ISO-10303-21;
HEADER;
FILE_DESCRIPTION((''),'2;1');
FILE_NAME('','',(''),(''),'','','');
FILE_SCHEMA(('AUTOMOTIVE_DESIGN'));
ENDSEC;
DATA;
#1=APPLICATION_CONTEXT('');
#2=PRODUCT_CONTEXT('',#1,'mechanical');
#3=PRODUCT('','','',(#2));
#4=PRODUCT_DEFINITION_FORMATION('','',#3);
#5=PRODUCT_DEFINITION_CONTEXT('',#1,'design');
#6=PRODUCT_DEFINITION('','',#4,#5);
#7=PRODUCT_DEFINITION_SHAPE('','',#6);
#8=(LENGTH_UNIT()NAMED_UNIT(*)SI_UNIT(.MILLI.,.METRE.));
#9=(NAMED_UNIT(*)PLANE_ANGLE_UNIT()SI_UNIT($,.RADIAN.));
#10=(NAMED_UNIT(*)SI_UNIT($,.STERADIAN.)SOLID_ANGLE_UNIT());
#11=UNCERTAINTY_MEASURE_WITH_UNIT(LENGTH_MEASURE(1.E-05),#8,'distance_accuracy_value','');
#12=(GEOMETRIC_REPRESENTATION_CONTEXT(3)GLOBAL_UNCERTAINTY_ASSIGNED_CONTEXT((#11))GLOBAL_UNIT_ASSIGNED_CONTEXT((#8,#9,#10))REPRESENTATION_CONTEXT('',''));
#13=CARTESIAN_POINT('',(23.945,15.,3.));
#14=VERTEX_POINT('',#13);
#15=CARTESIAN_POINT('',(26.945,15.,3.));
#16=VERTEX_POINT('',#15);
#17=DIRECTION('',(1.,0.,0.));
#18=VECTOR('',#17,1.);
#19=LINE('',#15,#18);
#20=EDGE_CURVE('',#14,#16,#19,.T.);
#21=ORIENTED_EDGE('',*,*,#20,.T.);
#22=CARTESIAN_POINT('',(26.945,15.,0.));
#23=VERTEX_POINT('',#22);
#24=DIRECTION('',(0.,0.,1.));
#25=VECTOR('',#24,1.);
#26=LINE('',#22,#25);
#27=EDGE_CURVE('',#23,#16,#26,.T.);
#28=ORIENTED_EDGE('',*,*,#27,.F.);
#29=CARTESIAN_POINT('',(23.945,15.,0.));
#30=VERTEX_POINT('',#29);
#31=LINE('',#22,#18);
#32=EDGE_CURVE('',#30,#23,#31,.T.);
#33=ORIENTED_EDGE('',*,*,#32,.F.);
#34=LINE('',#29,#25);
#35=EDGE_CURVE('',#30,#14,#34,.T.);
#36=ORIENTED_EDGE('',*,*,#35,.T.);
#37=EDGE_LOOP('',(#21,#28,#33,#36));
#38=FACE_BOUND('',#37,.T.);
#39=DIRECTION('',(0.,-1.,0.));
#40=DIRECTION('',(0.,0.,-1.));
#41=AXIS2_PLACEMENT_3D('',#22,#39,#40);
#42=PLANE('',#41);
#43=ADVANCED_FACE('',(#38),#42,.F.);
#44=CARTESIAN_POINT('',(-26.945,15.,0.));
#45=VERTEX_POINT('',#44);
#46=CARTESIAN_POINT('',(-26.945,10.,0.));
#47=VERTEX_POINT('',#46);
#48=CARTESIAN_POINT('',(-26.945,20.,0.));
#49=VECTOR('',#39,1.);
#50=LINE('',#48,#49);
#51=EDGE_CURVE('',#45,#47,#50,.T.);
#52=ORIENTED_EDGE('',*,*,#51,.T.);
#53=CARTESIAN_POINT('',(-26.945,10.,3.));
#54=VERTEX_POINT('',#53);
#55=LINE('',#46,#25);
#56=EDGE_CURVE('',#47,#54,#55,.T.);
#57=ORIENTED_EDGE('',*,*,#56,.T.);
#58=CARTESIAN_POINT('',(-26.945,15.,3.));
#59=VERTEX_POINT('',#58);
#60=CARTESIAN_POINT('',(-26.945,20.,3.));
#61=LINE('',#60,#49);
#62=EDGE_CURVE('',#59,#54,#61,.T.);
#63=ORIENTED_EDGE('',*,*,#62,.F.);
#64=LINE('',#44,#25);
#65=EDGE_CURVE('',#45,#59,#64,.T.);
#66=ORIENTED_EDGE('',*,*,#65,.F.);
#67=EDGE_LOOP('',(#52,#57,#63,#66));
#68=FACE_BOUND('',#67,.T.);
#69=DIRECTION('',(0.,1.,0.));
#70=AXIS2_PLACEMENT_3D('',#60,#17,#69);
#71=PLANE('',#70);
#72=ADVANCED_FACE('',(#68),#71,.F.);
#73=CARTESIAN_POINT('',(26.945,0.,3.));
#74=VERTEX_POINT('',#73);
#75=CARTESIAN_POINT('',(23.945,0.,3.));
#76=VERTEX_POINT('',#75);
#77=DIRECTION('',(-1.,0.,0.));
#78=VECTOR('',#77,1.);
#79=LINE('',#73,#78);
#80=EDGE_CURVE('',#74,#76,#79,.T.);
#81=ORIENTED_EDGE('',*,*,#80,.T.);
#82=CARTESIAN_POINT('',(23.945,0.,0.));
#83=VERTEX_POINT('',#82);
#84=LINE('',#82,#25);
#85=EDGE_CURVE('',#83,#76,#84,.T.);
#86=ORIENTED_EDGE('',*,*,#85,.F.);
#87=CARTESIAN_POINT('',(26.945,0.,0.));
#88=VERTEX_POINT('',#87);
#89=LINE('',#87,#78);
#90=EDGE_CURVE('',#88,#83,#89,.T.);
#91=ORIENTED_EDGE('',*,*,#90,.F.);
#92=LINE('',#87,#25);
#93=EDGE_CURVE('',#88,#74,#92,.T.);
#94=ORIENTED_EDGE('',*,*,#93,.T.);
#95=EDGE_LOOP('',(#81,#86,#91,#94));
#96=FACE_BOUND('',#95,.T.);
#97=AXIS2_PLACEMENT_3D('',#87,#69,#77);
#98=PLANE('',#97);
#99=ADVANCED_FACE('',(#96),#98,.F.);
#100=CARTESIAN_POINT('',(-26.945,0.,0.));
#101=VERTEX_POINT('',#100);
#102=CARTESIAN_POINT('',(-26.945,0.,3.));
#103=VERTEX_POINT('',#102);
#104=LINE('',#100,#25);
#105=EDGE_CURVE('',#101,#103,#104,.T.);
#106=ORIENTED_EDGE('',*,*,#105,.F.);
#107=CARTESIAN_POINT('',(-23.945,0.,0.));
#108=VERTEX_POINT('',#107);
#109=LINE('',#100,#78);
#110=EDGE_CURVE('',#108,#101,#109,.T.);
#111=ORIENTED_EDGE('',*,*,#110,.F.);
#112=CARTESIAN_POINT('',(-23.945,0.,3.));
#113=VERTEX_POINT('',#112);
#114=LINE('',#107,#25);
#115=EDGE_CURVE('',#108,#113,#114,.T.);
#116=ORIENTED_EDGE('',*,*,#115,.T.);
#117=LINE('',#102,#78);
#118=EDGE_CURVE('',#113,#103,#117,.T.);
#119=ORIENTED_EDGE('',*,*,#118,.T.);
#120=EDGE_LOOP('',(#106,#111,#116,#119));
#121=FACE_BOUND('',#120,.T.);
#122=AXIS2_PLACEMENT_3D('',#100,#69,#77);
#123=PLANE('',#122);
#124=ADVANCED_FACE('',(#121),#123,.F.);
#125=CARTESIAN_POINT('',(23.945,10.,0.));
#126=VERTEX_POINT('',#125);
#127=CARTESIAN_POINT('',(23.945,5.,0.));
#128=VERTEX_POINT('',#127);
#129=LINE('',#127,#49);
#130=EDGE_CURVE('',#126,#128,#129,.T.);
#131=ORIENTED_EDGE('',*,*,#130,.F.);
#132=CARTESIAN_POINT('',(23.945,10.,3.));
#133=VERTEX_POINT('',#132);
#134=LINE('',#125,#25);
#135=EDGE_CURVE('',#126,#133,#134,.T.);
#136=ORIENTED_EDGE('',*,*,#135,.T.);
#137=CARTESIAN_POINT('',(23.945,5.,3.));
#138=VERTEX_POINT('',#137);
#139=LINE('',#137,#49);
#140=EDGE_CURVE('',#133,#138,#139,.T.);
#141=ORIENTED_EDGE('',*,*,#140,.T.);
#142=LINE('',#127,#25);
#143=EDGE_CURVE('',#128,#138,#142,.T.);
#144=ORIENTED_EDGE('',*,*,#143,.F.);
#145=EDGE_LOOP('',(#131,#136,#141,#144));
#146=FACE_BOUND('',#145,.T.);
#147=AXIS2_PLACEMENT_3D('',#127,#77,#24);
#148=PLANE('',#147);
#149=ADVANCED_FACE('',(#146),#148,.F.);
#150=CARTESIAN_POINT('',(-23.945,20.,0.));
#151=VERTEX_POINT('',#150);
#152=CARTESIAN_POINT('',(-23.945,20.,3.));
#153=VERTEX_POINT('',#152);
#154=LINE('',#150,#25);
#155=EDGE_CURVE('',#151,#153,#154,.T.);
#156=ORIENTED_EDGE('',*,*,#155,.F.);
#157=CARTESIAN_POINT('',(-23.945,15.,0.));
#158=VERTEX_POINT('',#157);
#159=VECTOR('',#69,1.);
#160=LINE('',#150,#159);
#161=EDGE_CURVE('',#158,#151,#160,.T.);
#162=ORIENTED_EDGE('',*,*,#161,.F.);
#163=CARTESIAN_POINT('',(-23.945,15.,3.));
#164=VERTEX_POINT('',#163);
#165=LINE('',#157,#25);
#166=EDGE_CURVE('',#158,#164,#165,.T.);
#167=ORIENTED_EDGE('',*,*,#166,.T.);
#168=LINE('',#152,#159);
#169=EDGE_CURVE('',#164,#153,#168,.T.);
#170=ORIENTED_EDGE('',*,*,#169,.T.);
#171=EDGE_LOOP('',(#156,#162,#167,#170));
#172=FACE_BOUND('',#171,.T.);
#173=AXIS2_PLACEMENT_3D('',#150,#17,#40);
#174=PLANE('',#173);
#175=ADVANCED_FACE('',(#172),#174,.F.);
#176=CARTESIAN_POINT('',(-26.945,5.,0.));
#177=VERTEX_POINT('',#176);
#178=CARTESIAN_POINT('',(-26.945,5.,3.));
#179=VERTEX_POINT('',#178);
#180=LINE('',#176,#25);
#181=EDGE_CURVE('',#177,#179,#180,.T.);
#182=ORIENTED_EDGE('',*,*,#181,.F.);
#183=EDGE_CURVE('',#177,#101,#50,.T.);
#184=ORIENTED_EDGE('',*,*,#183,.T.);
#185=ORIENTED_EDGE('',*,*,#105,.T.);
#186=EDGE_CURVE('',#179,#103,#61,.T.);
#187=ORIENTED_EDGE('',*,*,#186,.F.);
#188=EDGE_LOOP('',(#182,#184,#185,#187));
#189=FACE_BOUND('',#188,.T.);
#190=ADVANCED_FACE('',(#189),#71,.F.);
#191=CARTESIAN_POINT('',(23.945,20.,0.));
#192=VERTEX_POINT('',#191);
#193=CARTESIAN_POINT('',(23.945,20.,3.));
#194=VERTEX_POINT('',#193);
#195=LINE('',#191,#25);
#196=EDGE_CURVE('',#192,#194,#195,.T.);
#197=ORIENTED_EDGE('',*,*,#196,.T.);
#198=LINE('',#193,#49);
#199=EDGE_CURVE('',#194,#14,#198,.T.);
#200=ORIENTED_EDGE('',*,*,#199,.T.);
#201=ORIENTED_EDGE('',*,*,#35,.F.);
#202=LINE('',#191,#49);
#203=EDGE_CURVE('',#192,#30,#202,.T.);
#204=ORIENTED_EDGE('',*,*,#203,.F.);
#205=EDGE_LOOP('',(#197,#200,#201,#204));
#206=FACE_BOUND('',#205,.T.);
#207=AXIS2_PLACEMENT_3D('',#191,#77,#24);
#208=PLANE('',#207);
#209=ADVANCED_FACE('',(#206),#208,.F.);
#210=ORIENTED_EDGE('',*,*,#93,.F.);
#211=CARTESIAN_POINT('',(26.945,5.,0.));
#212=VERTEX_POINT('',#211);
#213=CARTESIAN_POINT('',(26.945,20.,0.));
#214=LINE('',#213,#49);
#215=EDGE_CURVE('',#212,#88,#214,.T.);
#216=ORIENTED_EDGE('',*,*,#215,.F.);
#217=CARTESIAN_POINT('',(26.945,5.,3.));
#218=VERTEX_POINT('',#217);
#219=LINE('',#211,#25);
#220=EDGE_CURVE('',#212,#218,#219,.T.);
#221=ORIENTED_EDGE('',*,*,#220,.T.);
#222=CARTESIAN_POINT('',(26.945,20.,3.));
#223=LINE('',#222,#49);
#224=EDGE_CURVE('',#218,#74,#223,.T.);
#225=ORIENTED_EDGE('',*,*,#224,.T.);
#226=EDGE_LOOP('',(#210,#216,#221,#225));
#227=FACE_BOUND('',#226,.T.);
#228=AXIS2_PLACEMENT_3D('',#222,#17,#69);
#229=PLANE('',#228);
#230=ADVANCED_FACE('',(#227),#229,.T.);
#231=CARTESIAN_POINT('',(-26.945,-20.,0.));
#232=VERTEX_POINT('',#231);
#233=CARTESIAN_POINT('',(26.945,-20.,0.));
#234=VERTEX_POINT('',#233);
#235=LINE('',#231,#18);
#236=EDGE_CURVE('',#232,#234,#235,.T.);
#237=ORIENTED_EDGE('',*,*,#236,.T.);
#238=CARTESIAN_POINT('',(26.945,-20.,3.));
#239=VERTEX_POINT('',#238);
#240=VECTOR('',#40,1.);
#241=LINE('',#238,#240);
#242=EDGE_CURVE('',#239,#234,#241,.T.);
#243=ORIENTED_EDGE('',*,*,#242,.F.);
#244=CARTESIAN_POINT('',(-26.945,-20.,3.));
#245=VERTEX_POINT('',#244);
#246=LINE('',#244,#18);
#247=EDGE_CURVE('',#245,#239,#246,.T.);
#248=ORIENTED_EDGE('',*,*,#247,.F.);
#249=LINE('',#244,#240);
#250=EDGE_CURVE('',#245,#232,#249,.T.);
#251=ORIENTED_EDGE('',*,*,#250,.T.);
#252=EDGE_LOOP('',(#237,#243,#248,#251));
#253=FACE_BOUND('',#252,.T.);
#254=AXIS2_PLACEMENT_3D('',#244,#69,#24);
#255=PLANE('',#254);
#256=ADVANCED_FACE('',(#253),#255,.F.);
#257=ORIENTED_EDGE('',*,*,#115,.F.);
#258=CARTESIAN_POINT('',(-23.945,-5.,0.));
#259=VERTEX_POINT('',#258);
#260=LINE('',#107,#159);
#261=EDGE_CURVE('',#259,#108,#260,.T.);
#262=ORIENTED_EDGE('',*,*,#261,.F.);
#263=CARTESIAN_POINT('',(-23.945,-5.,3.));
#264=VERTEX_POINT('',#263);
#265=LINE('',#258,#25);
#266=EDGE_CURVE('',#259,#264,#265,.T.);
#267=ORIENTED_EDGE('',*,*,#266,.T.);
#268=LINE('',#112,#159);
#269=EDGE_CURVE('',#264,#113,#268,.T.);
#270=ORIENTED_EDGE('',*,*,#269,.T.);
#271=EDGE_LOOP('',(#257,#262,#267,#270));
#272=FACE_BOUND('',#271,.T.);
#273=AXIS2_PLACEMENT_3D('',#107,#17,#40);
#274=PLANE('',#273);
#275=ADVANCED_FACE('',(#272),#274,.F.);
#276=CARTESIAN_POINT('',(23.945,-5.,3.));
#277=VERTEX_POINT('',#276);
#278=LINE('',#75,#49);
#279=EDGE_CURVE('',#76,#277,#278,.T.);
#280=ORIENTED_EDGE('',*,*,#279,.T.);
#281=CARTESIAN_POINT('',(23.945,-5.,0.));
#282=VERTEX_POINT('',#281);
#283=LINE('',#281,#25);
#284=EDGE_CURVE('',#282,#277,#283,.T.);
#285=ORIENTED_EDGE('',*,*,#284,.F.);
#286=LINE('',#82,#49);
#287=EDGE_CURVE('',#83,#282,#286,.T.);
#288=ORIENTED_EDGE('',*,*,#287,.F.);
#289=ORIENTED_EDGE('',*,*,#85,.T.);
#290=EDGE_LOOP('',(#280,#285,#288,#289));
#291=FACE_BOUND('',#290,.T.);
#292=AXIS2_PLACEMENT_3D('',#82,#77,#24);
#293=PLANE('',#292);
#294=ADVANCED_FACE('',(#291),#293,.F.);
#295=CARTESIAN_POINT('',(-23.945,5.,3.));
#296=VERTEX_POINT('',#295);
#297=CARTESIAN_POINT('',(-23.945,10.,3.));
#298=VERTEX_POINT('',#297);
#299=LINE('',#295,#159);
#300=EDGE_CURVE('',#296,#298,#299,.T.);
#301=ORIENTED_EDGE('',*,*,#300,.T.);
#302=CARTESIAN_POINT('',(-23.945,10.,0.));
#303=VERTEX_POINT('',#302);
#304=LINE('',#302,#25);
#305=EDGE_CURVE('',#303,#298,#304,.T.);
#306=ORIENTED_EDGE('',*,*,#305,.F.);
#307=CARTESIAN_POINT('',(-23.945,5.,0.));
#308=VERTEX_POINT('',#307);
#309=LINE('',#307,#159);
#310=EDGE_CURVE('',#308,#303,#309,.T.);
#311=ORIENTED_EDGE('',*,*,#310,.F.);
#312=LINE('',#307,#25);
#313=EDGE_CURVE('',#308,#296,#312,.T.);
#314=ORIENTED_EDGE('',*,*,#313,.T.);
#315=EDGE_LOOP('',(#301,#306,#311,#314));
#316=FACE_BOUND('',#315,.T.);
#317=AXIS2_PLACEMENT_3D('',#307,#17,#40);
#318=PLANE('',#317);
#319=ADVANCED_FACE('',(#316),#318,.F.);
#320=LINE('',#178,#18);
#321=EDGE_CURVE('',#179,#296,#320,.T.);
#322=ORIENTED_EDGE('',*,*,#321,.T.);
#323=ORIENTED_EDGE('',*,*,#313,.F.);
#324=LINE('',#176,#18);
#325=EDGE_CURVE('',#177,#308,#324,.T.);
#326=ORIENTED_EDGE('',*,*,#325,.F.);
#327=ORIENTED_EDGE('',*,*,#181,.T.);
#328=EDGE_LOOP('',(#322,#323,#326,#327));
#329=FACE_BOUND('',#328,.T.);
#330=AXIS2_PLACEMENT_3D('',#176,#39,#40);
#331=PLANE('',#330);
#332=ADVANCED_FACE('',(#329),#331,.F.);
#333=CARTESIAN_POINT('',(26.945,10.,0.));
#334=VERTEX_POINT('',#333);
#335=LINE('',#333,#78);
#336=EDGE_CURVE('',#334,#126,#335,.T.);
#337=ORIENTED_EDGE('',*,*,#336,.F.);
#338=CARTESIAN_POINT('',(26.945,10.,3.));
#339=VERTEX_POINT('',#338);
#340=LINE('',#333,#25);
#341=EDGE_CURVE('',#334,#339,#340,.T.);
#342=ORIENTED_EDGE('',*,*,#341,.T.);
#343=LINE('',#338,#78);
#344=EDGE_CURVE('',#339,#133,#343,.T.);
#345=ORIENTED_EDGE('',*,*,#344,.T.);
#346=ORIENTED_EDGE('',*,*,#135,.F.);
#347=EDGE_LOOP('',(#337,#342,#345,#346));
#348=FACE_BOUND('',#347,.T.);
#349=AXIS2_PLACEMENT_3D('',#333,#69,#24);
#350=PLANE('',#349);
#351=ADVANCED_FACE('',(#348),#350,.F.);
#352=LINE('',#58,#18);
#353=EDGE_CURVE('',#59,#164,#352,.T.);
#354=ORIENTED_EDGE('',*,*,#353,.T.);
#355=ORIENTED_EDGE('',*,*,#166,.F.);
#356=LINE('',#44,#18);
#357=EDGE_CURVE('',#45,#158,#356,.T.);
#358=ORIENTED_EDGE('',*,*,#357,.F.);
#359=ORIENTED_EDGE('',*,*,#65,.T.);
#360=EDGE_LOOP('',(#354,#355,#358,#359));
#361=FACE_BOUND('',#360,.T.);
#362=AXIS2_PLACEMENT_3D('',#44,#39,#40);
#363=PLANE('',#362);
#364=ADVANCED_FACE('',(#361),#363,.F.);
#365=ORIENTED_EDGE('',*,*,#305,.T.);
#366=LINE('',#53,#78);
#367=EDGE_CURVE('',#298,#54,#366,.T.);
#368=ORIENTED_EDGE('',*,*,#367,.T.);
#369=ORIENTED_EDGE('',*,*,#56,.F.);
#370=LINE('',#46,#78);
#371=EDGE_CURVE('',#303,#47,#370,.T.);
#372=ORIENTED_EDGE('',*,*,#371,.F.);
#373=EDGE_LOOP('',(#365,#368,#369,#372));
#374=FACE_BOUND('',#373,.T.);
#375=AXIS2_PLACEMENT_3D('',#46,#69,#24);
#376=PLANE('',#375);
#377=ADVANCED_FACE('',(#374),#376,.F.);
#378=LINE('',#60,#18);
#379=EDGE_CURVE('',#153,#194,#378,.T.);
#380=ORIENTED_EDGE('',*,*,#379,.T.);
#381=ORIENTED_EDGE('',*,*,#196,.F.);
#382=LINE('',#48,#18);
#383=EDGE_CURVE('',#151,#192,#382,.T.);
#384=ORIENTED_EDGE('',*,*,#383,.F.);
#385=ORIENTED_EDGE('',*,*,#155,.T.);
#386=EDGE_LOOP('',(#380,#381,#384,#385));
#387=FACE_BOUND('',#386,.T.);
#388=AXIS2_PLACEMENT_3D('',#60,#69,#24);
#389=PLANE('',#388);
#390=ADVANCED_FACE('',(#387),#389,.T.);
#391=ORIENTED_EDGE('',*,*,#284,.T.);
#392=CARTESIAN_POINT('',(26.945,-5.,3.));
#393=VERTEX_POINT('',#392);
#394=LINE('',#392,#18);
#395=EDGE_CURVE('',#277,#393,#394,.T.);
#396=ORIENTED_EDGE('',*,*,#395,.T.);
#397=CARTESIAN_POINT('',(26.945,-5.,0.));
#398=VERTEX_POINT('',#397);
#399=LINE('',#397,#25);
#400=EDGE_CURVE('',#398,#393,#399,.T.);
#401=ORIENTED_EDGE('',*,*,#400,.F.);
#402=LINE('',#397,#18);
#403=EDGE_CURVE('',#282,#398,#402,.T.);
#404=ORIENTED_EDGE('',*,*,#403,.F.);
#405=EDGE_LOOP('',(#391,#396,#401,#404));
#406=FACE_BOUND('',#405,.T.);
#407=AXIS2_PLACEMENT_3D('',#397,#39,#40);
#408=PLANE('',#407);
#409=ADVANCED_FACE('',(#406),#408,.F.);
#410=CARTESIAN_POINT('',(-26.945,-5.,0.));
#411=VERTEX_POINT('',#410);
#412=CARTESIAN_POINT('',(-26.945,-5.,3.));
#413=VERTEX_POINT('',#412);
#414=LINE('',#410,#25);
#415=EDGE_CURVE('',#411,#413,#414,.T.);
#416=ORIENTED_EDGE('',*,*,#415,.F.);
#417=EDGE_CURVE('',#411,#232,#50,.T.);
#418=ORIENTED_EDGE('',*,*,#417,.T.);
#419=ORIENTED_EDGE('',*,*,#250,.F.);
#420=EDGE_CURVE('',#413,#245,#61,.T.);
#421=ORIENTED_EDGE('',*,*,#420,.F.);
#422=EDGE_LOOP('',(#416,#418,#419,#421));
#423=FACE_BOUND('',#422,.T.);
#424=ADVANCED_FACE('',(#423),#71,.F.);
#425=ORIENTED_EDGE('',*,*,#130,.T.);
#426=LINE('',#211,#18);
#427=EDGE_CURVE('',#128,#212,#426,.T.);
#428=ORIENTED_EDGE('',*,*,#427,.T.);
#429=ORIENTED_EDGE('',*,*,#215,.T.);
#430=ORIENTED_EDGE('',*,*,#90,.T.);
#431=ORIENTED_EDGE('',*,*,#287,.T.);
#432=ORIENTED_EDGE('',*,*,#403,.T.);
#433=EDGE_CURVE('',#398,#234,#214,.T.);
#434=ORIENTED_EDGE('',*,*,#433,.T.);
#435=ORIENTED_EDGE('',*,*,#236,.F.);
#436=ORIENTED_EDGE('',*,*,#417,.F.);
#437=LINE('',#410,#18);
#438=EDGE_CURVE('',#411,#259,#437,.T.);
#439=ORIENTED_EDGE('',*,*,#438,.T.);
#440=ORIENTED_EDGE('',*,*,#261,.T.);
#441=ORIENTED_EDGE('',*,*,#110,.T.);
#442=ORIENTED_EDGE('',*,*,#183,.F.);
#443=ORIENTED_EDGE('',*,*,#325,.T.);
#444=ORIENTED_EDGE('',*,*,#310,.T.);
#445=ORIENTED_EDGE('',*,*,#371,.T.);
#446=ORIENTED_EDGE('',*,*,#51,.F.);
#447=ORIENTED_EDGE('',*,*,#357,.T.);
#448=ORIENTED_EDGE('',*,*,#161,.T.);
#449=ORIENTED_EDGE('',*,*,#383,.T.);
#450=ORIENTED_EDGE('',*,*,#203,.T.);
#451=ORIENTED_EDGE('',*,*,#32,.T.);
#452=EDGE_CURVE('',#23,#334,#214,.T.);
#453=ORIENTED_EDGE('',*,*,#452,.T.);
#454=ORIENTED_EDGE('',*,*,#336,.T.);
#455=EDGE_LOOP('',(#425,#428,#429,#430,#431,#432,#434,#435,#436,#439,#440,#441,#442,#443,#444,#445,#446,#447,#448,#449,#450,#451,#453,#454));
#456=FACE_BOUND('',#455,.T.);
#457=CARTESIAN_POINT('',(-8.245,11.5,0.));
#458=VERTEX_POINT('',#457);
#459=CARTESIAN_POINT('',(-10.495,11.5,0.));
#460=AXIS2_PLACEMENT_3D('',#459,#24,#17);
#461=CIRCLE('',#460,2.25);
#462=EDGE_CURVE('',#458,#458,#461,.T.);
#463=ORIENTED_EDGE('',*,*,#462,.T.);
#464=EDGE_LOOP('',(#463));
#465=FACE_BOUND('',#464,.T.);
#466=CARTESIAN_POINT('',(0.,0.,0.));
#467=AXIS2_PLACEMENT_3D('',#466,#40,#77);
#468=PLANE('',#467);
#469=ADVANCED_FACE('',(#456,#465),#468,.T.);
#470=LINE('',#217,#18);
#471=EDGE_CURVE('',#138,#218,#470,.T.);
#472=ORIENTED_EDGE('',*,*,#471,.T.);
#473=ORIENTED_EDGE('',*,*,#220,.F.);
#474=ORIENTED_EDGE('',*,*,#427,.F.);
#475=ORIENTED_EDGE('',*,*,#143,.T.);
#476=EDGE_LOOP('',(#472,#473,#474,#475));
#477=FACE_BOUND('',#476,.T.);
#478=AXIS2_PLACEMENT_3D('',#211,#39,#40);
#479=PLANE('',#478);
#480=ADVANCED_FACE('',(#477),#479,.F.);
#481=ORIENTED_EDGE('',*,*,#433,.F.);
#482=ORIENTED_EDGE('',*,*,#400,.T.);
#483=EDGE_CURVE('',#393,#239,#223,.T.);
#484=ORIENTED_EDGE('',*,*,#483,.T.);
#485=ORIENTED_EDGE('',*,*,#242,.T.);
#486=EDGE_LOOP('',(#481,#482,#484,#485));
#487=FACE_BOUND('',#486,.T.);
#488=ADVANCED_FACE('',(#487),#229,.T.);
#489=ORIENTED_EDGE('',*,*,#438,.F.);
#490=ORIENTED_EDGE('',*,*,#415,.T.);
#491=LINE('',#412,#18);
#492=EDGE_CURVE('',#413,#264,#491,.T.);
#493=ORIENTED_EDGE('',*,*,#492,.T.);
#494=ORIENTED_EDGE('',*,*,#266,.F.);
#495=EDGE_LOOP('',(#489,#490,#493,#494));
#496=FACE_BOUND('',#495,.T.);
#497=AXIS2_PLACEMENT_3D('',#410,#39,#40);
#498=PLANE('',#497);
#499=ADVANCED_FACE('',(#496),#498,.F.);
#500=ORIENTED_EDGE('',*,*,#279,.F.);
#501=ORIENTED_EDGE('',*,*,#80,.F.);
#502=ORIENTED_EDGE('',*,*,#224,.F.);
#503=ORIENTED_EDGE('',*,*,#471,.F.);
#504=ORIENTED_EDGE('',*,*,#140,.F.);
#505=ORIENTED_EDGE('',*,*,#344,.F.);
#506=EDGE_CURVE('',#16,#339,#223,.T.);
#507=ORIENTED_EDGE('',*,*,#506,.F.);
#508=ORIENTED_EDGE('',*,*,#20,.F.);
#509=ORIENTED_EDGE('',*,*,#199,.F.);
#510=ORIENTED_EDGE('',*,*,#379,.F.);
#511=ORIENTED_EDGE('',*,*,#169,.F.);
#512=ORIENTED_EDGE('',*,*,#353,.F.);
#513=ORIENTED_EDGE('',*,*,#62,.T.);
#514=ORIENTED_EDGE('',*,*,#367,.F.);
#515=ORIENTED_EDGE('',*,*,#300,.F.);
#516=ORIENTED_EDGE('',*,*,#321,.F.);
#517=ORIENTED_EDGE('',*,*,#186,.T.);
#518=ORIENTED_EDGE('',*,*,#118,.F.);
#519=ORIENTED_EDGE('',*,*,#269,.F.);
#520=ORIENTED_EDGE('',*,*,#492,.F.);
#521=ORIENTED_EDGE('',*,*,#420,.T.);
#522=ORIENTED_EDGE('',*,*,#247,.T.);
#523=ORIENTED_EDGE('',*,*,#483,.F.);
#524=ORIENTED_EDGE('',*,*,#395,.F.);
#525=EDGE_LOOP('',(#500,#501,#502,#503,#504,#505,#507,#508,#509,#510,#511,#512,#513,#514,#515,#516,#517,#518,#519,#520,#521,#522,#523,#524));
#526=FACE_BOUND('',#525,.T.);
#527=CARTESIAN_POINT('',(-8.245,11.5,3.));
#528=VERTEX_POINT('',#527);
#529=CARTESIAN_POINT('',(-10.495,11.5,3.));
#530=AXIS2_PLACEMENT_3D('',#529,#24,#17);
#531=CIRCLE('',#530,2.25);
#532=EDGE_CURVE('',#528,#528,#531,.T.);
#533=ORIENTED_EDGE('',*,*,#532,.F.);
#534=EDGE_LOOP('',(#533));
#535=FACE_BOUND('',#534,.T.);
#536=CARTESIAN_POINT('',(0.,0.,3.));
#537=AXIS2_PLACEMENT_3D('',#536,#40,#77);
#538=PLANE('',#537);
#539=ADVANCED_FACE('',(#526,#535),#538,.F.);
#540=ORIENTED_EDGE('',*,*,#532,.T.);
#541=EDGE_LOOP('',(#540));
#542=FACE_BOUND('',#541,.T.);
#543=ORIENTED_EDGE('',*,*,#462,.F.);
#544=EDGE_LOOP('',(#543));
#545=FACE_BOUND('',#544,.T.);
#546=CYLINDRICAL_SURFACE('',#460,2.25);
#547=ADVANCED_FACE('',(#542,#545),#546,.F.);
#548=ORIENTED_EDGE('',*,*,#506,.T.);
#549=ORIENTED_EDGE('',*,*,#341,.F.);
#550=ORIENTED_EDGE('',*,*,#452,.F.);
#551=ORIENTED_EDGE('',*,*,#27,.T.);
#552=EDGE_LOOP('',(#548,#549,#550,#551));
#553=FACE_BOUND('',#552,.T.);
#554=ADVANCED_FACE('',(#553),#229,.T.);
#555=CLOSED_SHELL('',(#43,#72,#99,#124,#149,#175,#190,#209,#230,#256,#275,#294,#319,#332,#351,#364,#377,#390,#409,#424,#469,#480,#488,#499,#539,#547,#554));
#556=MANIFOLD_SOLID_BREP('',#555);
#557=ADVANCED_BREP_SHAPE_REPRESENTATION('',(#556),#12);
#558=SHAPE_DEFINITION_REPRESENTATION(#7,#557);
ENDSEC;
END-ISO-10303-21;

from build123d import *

# Parameters (mm, degrees)
SKETCH1_W           = 53.89
SKETCH1_H           = 40
BOSS_EXTRUDE1_DEPTH = 3
SKETCH2_R           = 2.25
SKETCH2_W           = 3
SKETCH2_H           = 5
CUT_EXTRUDE1_DEPTH  = 3


with BuildPart() as part:
    # Sketch1 → Boss-Extrude1 (new body)
    with BuildSketch(Plane.XY):
        Rectangle(SKETCH1_W, SKETCH1_H)
    extrude(amount=BOSS_EXTRUDE1_DEPTH)

    # Sketch2 → Cut-Extrude1 (cut)
    with BuildSketch(Plane.XY.offset(3)):
        with Locations((-10.495, 11.5)):
            Circle(SKETCH2_R)
        with Locations((-25.445, 17.5)):
            Rectangle(SKETCH2_W, SKETCH2_H)
        with Locations((-25.445, 7.5)):
            Rectangle(SKETCH2_W, SKETCH2_H)
        with Locations((25.445, 17.5)):
            Rectangle(SKETCH2_W, SKETCH2_H)
        with Locations((25.445, 7.5)):
            Rectangle(SKETCH2_W, SKETCH2_H)
        with Locations((25.445, -2.5)):
            Rectangle(SKETCH2_W, SKETCH2_H)
        with Locations((-25.445, -2.5)):
            Rectangle(SKETCH2_W, SKETCH2_H)
    extrude(amount=-CUT_EXTRUDE1_DEPTH, mode=Mode.SUBTRACT)


solid = part.part
